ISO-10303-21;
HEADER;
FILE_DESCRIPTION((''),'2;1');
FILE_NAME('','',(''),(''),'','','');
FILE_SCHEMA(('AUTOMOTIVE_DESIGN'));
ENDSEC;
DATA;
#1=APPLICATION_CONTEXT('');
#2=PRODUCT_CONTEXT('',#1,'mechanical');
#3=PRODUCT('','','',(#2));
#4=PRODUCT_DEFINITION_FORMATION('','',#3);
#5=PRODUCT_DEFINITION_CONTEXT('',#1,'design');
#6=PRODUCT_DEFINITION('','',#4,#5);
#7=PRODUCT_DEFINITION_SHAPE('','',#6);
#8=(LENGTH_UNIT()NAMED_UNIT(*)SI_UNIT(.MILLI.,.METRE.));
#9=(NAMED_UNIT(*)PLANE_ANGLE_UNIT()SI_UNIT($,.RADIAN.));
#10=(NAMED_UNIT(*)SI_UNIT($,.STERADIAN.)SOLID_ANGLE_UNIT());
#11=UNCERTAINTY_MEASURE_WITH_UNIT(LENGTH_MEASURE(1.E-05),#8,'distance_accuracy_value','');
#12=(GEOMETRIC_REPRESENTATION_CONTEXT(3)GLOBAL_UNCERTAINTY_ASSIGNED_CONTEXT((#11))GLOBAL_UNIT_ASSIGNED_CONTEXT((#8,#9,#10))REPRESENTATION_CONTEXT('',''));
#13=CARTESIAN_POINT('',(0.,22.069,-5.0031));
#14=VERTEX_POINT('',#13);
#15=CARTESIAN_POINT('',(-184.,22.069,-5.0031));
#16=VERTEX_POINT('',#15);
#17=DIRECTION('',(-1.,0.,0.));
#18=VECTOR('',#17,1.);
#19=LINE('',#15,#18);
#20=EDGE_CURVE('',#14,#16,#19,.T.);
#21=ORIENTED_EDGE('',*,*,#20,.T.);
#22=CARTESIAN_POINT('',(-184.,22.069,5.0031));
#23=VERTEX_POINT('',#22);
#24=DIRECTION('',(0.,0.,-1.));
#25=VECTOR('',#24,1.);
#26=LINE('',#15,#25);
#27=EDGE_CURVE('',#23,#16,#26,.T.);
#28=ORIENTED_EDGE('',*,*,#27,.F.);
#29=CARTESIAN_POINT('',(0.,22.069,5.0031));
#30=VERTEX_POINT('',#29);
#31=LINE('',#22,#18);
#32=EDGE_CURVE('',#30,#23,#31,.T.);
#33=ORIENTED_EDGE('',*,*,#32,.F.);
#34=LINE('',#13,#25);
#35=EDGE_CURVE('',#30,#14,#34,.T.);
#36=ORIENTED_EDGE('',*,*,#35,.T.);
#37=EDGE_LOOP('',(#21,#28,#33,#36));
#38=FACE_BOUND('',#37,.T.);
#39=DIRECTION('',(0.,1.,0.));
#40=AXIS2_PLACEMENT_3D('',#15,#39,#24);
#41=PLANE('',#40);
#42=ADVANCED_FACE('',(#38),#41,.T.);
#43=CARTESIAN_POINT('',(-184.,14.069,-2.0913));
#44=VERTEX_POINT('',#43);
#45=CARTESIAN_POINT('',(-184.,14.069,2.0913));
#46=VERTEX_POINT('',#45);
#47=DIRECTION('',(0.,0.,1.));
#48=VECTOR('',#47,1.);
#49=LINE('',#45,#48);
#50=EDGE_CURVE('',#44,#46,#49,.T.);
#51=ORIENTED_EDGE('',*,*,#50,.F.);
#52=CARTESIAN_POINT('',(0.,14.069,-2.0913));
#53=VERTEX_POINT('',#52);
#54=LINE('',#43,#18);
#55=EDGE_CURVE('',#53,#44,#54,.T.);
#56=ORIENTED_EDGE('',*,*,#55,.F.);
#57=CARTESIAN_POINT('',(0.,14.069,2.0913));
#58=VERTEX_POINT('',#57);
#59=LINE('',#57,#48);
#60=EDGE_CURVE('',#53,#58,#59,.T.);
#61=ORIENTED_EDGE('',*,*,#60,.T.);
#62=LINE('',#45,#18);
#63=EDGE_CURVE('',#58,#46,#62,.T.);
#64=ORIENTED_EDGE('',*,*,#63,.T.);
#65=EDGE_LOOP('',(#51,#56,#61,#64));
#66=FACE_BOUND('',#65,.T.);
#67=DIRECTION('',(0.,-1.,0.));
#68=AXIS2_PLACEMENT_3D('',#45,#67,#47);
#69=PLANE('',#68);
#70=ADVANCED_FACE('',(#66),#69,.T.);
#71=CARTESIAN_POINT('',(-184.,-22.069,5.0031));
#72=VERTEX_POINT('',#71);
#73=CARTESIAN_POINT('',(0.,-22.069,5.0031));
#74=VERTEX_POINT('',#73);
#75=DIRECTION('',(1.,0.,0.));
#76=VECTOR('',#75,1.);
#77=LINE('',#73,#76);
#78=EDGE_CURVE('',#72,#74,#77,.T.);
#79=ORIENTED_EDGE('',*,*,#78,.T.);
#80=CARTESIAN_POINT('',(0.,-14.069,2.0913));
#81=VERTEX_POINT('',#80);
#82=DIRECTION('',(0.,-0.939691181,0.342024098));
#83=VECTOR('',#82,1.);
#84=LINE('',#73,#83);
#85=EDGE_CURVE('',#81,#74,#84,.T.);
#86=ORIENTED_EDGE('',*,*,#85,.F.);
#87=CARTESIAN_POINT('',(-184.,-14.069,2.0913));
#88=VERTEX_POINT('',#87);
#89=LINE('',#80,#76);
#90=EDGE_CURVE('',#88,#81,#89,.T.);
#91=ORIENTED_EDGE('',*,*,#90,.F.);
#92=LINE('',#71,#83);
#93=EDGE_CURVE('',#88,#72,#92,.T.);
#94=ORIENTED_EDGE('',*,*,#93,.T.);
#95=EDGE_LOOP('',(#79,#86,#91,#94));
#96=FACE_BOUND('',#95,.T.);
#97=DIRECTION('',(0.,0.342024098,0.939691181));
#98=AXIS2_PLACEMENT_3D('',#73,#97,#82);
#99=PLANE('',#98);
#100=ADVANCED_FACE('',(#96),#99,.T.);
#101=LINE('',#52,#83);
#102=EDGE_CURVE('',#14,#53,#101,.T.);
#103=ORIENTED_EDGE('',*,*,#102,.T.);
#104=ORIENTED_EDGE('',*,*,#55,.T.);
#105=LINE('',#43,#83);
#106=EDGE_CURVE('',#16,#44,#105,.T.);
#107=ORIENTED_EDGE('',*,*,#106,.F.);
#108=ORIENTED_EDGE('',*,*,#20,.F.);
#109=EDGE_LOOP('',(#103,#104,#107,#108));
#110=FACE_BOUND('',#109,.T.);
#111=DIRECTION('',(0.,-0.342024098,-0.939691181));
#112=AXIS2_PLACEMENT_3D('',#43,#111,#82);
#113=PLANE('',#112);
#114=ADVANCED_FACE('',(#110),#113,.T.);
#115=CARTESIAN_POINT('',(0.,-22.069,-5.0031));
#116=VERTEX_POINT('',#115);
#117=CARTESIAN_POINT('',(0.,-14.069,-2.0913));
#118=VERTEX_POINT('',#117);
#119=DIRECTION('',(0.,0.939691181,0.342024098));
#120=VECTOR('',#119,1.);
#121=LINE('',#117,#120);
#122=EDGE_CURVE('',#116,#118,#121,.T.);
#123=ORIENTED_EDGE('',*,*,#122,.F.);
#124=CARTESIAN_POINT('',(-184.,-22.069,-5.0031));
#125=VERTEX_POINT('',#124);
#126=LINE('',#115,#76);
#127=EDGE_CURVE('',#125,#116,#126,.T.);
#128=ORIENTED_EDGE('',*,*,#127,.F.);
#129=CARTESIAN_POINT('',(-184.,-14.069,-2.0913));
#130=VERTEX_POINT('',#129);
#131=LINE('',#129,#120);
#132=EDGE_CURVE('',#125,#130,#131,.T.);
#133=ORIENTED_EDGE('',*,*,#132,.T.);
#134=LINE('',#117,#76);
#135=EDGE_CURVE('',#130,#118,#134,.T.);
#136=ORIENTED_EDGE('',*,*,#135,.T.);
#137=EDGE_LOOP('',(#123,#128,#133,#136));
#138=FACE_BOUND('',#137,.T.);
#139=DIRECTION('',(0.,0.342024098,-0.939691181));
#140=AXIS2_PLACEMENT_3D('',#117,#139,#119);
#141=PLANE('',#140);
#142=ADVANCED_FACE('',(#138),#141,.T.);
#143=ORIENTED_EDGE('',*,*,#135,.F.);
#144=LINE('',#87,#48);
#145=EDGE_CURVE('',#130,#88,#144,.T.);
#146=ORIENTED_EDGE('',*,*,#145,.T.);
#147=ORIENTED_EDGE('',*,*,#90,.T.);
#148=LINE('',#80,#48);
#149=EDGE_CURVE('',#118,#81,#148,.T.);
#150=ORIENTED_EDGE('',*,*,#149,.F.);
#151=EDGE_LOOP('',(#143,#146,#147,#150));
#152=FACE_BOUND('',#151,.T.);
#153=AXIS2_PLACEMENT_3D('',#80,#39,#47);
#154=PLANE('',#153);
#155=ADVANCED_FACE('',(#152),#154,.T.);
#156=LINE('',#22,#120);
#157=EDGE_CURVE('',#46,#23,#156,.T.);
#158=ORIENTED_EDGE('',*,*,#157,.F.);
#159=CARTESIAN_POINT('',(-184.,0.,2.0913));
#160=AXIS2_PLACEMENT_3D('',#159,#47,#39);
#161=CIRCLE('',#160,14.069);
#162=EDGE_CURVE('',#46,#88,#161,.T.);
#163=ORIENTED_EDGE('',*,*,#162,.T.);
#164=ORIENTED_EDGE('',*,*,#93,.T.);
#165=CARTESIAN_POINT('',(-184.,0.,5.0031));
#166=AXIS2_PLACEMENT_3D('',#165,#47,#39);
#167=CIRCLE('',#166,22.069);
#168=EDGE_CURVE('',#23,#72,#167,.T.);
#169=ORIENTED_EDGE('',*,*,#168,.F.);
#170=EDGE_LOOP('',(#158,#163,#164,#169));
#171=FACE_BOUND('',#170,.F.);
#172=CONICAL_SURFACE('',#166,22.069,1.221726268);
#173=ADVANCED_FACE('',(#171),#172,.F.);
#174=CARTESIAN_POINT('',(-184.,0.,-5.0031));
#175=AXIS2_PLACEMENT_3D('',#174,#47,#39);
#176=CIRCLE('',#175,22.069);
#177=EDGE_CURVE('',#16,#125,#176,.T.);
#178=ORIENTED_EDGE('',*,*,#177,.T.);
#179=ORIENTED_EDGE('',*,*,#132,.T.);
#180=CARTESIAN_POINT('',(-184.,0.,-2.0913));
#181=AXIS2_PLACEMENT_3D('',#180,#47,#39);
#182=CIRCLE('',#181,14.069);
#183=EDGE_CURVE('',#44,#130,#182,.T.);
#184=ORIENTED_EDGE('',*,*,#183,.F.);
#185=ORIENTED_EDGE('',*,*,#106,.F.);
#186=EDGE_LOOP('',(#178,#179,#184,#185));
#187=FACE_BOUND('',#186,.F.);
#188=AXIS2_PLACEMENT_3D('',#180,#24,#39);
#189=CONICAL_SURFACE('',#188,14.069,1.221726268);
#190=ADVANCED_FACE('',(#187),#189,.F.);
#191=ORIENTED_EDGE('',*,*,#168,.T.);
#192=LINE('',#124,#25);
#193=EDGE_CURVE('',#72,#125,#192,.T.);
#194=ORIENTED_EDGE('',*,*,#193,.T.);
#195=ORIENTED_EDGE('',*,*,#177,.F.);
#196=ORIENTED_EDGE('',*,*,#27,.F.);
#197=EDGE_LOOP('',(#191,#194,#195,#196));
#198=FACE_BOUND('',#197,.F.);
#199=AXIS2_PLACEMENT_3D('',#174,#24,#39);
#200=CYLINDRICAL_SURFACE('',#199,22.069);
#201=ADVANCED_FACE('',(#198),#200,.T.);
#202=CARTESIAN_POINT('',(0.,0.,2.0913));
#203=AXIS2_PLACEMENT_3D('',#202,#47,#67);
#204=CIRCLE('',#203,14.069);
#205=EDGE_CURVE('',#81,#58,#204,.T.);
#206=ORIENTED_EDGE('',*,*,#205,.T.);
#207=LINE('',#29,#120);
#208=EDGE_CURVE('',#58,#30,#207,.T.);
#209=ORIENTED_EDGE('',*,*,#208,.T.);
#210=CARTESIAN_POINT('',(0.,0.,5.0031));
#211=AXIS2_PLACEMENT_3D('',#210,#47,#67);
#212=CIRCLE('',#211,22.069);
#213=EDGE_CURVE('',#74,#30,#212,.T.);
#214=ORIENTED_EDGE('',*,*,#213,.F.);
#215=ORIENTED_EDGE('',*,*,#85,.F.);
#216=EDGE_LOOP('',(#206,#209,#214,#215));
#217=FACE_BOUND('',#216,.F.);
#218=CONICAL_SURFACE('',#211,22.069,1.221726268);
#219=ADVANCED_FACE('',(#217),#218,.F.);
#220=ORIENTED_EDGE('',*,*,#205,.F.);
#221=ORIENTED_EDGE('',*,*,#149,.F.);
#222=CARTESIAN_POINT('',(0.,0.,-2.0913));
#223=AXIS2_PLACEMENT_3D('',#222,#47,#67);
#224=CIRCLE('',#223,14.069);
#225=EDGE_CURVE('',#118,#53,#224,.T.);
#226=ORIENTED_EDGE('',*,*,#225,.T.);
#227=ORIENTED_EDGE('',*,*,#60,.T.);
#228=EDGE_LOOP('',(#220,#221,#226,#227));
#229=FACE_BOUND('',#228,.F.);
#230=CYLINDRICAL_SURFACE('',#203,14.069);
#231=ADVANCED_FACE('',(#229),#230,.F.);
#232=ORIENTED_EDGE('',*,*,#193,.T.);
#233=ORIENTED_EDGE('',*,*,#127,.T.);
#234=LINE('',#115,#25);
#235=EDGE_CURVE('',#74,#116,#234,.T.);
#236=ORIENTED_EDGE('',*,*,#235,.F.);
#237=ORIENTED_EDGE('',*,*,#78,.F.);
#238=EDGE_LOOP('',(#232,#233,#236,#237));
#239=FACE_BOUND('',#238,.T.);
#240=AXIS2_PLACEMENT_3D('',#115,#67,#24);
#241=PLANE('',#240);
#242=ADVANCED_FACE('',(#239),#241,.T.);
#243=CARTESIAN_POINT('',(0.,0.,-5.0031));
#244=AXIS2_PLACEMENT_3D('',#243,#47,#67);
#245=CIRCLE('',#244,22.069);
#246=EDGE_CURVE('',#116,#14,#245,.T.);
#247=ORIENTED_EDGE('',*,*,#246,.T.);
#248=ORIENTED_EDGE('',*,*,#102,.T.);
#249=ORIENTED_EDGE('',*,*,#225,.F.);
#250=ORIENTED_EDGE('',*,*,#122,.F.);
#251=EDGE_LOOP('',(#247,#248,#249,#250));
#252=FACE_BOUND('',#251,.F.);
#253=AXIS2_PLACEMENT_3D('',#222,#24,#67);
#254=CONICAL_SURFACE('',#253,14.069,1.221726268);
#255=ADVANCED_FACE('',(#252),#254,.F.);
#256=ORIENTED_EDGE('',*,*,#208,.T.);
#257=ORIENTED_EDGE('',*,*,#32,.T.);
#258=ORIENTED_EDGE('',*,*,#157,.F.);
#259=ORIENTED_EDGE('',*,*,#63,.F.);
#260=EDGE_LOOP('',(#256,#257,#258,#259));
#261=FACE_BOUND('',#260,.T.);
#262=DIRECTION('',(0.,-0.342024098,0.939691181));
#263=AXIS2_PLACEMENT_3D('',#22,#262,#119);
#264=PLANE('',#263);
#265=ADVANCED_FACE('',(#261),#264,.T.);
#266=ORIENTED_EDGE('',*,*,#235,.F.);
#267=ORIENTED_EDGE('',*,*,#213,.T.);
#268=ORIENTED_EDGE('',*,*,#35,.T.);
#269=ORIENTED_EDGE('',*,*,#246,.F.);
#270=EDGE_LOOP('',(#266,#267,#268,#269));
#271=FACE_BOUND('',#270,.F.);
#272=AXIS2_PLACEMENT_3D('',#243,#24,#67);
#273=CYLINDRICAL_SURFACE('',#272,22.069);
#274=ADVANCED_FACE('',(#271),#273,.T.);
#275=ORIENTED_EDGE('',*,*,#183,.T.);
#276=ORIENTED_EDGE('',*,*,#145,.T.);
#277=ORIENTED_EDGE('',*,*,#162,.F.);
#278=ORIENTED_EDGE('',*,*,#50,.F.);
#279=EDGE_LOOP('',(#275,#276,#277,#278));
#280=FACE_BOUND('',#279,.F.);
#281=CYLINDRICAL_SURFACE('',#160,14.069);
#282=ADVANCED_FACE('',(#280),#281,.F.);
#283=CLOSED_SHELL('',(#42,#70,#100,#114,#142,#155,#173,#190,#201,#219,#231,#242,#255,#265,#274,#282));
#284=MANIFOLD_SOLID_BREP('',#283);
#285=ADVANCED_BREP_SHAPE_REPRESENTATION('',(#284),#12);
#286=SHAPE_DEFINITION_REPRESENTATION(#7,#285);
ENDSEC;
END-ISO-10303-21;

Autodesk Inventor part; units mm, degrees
ref_plane "YZ Plane" through (0, 0, 0) normal (1, 0, 0) x (0, 1, 0)
ref_plane "XZ Plane" through (0, 0, 0) normal (0, 1, 0) x (-1, 0, 0)
sketch "Sketch Path" plane through (0, 0, 0) normal (0, 0, 1) x (1, 0, 0)
  arc A0 (0, -20) -> (0, 20) centre (0, 0) ccw
  arc A1 (-184, 20) -> (-184, -20) centre (-184, 0) ccw
  line L0 (-184, 20) -> (0, 20)
  line L1 (0, -20) -> (-184, -20)
ref_plane "Cross Section Plane" through (0, 20, 0) normal (-1, 0, 0) x (0, 0, 1)
sketch "Cross Section" plane through (0, 20, 0) normal (-1, 0, 0) x (0, 0, 1)
  line L0 (0, 2.069) -> (0, -5.931) construction
  line L1 (-4.25, 0) -> (4.25, 0) construction
  line L2 (-5.0031, 2.069) -> (5.0031, 2.069)
  line L3 (5.0031, 2.069) -> (2.0913, -5.931)
  line L4 (2.0913, -5.931) -> (-2.0913, -5.931)
  line L5 (-2.0913, -5.931) -> (-5.0031, 2.069)
  point P0 (0, 0)
  point P1 (0, 0)
  point P2 (0, 0)
  dimension "d0" = 8.5
  dimension "d1" = 2.069
  dimension "d2" = 40
  dimension "d3" = 8
sweep "Belt" add profiles "Cross Section" path "Sketch Path"
equation "\"d0\" = da_Bw"
equation "\"d1\" = da_Hw"
equation "\"d2\" = da_Alfa"
equation "\"d3\" = da_H"
equation "\"da_Alfa\" = 40deg"
equation "\"da_H\" = 8"
equation "\"da_Bw\" = 8.5"
equation "\"da_Hw\" = 2.06901"
properties part number "V-Belt" material "Rubber"
